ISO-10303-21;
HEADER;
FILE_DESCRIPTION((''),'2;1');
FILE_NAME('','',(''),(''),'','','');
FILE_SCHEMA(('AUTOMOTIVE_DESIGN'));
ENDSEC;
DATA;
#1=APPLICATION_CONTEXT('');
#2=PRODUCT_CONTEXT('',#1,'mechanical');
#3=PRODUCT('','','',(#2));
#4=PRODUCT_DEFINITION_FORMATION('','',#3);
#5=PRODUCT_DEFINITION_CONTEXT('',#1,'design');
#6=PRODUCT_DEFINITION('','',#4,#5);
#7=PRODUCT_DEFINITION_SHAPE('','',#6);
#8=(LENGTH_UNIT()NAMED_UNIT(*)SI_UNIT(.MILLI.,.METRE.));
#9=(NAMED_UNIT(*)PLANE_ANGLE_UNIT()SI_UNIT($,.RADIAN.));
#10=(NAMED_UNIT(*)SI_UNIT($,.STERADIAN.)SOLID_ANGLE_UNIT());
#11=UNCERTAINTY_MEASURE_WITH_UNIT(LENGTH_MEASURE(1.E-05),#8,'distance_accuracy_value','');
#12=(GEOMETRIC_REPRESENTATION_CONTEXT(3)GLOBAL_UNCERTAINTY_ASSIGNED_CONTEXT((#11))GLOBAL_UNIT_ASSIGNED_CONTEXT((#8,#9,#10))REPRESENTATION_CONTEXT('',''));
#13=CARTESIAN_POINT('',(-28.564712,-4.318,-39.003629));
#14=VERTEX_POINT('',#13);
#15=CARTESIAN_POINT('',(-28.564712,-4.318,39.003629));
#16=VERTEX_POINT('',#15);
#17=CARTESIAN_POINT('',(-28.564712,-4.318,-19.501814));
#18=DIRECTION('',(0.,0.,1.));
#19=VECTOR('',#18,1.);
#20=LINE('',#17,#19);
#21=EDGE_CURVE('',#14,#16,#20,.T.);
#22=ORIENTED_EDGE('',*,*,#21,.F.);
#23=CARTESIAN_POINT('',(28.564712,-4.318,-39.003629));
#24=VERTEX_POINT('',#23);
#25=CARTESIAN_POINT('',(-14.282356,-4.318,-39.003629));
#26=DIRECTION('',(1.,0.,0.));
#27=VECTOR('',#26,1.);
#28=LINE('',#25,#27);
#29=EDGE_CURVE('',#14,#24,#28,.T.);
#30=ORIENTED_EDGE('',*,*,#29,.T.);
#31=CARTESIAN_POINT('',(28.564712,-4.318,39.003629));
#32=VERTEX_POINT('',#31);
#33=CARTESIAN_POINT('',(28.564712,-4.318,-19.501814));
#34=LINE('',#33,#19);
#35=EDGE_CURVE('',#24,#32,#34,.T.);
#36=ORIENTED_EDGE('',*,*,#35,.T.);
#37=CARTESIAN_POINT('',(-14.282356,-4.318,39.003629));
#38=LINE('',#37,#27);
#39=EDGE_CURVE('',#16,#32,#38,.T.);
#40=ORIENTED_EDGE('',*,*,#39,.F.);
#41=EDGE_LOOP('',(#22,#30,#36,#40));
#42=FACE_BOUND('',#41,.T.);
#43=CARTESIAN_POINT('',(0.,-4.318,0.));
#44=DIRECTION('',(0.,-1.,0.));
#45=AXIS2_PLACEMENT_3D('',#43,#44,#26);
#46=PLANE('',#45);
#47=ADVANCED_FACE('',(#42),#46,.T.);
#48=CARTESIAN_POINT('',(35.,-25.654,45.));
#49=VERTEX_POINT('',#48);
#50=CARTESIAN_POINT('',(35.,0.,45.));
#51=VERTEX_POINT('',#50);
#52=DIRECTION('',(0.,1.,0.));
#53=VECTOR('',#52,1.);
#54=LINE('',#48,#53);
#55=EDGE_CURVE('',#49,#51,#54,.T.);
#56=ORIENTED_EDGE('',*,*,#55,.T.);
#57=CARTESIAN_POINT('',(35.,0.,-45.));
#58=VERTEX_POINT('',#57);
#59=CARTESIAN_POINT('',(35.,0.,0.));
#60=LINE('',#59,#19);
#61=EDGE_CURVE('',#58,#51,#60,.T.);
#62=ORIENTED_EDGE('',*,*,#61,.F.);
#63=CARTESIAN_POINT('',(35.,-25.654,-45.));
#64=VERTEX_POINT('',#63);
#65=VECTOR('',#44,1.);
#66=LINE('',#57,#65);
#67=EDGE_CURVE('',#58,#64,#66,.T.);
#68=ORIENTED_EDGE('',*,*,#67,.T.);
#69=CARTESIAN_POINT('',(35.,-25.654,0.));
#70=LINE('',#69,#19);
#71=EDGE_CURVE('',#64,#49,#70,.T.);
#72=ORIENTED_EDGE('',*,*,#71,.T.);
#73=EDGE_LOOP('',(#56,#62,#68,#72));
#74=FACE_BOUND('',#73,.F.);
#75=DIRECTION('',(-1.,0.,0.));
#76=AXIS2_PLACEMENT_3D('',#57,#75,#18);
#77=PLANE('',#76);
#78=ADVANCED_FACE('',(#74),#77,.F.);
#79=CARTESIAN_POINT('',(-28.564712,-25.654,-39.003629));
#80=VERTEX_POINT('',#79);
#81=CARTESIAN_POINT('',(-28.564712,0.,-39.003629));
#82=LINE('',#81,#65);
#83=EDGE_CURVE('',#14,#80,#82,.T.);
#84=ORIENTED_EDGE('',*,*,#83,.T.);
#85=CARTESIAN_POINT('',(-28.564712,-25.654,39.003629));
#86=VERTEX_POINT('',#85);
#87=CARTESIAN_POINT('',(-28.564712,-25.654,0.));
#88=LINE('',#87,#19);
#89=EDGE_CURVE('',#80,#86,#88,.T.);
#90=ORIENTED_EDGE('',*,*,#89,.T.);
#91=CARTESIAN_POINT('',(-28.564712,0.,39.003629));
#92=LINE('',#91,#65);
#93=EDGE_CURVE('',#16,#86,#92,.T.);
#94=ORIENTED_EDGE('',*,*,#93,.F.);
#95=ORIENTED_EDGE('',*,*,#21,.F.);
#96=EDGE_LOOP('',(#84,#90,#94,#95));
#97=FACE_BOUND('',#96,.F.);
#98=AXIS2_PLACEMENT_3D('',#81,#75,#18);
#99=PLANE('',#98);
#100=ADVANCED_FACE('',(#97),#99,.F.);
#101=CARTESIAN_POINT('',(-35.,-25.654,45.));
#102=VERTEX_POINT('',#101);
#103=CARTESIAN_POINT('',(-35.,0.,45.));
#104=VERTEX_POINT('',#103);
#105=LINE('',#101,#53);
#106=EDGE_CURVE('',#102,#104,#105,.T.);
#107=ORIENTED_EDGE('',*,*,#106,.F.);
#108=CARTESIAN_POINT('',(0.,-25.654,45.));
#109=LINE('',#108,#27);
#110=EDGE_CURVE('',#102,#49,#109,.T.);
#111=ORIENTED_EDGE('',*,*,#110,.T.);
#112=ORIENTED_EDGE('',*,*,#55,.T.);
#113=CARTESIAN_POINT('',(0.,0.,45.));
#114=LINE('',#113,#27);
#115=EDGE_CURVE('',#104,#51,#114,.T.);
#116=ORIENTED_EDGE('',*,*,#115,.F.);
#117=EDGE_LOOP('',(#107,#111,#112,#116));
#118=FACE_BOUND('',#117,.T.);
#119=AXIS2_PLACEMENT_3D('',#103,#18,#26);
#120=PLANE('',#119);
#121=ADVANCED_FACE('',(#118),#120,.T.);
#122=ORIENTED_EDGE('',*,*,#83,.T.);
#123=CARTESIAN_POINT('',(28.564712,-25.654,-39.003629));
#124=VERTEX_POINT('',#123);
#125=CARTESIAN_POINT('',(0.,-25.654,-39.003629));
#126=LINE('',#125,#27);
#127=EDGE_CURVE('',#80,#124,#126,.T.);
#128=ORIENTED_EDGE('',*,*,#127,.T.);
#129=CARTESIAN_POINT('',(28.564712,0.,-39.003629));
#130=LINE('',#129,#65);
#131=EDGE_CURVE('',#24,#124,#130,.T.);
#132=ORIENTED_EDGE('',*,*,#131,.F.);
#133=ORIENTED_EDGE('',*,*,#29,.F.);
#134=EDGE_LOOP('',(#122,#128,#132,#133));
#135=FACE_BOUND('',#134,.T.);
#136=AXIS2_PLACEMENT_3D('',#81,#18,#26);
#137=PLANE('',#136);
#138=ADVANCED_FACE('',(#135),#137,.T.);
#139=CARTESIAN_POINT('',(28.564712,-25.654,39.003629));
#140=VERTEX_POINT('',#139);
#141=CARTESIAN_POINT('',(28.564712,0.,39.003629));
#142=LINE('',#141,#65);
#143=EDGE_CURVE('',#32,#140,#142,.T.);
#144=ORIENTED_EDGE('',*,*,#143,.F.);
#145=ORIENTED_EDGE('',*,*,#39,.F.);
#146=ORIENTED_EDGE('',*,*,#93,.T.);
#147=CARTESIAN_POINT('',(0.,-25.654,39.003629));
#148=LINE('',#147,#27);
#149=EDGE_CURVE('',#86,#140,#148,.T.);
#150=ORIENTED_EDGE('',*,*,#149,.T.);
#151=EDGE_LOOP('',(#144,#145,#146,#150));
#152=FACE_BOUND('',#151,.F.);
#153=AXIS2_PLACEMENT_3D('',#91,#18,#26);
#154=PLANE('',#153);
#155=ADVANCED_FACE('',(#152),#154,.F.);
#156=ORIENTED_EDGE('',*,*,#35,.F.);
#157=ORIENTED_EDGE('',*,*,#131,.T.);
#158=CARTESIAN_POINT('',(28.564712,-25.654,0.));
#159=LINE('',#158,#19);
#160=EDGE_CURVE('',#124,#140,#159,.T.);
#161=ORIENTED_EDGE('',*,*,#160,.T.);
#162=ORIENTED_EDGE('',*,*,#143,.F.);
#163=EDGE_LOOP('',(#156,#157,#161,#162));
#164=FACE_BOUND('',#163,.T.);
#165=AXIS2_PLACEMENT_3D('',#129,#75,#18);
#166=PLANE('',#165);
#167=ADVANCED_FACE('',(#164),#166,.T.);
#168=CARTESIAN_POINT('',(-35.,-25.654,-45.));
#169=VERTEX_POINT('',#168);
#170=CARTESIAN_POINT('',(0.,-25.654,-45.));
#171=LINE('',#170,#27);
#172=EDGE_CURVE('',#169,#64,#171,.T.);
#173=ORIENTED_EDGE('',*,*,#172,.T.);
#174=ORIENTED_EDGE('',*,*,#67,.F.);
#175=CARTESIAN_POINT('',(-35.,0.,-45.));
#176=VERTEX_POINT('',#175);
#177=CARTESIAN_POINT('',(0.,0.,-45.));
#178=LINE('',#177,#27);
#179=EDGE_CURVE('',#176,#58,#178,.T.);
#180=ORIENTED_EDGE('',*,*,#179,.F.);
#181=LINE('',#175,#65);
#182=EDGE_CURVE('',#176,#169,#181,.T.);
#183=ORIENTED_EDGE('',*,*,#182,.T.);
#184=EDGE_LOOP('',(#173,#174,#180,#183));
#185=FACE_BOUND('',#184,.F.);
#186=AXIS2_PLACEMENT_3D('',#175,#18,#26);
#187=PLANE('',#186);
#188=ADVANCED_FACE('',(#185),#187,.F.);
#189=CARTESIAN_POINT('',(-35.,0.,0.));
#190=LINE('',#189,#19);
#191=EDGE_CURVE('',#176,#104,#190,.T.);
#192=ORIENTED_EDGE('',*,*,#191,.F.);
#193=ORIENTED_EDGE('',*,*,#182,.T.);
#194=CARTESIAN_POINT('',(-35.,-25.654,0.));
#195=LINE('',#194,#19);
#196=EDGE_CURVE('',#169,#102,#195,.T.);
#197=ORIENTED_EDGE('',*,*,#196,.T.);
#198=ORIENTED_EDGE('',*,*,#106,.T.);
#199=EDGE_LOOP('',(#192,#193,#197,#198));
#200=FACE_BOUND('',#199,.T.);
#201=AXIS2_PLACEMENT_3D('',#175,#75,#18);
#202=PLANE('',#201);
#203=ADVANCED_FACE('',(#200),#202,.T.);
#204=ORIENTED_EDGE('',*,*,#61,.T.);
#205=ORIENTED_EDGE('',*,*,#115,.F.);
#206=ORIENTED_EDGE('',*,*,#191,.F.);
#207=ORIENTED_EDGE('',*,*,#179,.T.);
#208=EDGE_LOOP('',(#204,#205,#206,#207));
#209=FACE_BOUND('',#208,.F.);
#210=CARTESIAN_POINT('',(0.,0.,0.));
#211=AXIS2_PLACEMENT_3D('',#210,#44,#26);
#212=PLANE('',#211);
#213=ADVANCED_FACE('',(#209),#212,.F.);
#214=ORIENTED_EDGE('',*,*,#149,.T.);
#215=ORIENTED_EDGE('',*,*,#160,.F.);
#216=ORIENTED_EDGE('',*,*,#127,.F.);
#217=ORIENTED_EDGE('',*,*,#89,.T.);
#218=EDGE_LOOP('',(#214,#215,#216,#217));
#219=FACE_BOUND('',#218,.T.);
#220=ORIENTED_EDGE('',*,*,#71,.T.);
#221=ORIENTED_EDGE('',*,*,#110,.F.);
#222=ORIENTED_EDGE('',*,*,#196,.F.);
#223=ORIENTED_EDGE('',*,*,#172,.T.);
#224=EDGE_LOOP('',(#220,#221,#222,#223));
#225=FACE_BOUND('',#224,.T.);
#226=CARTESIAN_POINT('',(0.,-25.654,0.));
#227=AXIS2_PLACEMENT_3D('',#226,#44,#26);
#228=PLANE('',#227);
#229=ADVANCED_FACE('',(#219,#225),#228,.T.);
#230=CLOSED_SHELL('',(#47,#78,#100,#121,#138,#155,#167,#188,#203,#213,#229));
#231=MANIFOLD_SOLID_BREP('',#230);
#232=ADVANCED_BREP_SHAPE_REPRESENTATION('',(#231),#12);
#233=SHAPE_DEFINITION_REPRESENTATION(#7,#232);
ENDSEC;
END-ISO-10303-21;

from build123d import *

# Parameters (mm, degrees)
F0_W     = 70
F0_H     = 90
F0_W_2   = 57.129424
F0_H_2   = 78.007258
F1_DEPTH = 25.654
F2_W     = 70
F2_H     = 90
F3_DEPTH = 4.318


with BuildPart() as f1:
    # F0 (on Front) → F1 (new body)
    with BuildSketch(Plane.XZ):
        Rectangle(F0_W, F0_H)
        Rectangle(F0_W_2, F0_H_2, mode=Mode.SUBTRACT)
    extrude(amount=F1_DEPTH)

    # F2 (on Front) → F3 (join)
    with BuildSketch(Plane.XZ):
        Rectangle(F2_W, F2_H)
    extrude(amount=F3_DEPTH)


solid = f1.part
